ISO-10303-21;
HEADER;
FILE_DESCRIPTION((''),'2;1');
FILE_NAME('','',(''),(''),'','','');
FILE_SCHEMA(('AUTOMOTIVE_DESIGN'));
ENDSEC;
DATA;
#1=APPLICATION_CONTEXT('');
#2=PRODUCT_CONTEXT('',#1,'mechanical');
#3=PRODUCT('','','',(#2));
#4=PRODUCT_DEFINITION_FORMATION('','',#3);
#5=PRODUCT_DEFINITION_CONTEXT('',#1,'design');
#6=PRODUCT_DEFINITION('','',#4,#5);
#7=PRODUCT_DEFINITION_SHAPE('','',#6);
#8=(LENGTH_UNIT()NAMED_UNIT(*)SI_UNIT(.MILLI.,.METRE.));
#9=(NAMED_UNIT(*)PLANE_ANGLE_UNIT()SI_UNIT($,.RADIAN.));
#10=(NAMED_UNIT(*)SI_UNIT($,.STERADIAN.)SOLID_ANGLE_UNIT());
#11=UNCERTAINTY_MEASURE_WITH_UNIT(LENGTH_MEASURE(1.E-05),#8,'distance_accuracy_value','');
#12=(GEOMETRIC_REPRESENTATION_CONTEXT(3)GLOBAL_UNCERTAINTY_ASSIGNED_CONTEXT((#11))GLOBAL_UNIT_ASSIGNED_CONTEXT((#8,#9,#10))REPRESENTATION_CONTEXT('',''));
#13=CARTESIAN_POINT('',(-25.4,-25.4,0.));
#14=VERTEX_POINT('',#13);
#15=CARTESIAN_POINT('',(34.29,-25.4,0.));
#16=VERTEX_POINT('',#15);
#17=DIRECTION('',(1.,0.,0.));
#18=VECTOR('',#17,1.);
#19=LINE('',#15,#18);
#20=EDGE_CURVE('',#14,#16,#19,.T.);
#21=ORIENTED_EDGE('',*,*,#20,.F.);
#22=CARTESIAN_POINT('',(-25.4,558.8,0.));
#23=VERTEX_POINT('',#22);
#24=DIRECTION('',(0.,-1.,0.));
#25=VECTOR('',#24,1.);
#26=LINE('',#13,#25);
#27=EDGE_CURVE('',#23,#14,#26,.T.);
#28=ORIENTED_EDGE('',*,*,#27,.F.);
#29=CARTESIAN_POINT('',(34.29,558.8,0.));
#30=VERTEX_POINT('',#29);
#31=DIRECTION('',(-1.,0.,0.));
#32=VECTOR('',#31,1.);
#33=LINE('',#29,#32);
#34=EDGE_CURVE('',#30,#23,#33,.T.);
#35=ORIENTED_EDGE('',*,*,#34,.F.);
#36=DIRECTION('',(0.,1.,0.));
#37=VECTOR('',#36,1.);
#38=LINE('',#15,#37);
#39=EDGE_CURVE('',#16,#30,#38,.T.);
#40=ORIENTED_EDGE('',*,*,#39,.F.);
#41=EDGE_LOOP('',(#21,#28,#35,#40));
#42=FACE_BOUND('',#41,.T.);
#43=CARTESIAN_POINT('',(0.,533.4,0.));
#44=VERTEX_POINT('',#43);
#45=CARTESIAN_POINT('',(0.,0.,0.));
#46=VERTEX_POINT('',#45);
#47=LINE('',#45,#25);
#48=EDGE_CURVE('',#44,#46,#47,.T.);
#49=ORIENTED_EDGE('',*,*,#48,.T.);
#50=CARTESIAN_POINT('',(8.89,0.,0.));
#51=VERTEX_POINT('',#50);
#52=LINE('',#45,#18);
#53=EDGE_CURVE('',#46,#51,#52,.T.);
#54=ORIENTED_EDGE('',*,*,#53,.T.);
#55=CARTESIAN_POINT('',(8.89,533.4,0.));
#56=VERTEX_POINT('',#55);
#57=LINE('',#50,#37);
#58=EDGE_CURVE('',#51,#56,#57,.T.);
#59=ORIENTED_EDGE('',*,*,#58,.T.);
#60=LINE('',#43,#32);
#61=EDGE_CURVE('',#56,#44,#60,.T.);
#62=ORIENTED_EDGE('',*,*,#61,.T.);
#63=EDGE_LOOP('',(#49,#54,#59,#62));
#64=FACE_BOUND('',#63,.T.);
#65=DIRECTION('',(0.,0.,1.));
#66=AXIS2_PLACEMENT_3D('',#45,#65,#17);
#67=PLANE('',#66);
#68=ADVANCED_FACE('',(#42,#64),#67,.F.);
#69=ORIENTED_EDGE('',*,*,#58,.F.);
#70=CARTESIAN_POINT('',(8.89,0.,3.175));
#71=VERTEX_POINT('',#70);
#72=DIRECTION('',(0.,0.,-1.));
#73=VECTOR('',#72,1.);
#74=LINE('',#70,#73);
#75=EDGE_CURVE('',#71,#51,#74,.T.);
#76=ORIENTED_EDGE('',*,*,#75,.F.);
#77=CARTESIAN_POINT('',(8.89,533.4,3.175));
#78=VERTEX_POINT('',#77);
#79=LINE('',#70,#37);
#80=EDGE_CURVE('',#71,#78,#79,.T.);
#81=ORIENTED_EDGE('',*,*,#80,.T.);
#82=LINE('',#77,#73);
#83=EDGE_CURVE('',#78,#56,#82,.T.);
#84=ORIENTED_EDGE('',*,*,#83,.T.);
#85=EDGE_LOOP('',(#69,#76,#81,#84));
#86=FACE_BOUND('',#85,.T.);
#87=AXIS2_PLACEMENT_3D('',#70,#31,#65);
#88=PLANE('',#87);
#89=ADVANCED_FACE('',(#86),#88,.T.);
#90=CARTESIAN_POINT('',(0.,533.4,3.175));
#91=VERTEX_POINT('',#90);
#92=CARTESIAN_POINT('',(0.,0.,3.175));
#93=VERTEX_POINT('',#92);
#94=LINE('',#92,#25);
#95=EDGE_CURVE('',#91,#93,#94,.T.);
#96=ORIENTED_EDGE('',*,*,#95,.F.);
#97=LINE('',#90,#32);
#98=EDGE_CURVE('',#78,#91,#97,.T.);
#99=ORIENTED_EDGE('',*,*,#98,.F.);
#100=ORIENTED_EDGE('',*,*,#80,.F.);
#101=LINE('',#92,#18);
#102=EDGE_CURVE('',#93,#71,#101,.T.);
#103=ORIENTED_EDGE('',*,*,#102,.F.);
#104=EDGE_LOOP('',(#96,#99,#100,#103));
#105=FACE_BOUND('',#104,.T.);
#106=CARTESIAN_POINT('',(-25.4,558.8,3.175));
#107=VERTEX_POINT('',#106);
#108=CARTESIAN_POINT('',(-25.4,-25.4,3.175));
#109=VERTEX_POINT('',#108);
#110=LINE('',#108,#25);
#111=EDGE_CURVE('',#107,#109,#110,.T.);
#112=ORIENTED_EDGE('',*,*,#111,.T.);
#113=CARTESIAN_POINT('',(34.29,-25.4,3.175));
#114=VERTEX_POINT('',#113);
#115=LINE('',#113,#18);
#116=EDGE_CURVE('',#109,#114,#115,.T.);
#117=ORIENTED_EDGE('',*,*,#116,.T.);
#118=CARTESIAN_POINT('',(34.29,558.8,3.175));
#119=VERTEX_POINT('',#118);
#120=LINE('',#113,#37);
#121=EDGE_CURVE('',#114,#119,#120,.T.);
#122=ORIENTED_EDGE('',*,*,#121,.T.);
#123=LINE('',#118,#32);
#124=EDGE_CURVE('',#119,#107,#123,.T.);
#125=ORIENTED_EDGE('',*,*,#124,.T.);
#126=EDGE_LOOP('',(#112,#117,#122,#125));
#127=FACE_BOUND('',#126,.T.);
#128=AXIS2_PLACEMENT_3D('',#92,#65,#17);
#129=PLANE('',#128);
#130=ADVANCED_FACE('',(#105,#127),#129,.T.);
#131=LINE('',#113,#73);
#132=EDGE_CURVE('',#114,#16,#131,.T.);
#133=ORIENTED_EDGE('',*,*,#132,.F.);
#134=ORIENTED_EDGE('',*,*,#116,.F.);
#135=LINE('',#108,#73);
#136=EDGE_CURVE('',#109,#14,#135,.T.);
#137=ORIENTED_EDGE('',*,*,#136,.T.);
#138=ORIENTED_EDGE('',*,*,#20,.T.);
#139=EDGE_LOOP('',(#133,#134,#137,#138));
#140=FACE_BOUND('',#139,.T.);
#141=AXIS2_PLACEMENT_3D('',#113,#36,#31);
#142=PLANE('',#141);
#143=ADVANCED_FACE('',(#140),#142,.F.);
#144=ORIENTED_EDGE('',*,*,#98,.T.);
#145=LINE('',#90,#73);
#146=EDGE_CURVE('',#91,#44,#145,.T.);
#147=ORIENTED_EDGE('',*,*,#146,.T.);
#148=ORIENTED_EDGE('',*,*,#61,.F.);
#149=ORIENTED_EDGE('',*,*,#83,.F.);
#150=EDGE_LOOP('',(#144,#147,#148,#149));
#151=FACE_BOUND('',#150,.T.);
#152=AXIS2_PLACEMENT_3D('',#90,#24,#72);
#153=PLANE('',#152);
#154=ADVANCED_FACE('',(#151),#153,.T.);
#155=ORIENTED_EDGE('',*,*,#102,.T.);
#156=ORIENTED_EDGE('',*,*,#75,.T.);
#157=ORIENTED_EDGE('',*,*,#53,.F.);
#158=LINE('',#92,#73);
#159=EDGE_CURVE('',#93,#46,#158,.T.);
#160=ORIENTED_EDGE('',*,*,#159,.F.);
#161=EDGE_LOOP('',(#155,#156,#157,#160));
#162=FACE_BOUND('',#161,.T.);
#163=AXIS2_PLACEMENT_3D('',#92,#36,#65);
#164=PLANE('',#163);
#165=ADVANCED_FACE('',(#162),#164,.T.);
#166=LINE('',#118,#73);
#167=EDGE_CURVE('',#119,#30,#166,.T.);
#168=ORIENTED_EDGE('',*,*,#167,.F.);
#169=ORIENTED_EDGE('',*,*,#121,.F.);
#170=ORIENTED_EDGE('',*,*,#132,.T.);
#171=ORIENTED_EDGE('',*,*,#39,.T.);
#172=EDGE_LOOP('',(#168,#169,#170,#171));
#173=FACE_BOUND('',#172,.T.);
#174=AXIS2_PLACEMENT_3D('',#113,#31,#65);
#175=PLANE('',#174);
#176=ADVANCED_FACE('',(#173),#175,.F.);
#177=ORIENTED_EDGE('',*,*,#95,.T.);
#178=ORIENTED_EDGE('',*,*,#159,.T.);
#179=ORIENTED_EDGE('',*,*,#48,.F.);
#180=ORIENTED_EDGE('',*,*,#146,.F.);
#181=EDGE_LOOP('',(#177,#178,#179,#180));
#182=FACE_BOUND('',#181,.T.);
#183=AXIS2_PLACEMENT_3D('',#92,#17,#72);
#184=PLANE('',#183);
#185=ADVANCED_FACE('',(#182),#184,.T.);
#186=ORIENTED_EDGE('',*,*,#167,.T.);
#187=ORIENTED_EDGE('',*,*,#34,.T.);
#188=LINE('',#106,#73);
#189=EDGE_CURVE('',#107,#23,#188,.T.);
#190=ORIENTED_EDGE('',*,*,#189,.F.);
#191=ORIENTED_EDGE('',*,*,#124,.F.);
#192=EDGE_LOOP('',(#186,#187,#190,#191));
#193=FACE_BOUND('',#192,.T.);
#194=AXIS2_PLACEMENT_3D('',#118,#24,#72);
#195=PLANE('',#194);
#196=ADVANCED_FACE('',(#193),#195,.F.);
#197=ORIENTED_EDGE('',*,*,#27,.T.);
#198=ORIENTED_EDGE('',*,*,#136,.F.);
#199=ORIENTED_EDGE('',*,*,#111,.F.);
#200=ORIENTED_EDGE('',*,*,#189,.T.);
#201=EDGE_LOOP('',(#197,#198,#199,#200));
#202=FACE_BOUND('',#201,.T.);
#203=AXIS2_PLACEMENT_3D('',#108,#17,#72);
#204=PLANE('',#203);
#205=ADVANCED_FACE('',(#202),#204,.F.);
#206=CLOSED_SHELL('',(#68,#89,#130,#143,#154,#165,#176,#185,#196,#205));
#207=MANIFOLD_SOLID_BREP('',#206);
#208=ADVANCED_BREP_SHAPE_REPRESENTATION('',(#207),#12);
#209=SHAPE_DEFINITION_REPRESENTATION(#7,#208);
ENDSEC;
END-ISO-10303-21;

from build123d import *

# Parameters (mm, degrees)
SKETCH1_W           = 59.69
SKETCH1_H           = 584.2
SKETCH1_W_2         = 8.89
SKETCH1_H_2         = 533.4
BOSS_EXTRUDE1_DEPTH = 3.175


with BuildPart() as part:
    # Sketch1 → Boss-Extrude1 (new body)
    with BuildSketch(Plane.XY):
        with Locations((4.445, 266.7)):
            Rectangle(SKETCH1_W, SKETCH1_H)
        with Locations((4.445, 266.7)):
            Rectangle(SKETCH1_W_2, SKETCH1_H_2, mode=Mode.SUBTRACT)
    extrude(amount=BOSS_EXTRUDE1_DEPTH)


solid = part.part
